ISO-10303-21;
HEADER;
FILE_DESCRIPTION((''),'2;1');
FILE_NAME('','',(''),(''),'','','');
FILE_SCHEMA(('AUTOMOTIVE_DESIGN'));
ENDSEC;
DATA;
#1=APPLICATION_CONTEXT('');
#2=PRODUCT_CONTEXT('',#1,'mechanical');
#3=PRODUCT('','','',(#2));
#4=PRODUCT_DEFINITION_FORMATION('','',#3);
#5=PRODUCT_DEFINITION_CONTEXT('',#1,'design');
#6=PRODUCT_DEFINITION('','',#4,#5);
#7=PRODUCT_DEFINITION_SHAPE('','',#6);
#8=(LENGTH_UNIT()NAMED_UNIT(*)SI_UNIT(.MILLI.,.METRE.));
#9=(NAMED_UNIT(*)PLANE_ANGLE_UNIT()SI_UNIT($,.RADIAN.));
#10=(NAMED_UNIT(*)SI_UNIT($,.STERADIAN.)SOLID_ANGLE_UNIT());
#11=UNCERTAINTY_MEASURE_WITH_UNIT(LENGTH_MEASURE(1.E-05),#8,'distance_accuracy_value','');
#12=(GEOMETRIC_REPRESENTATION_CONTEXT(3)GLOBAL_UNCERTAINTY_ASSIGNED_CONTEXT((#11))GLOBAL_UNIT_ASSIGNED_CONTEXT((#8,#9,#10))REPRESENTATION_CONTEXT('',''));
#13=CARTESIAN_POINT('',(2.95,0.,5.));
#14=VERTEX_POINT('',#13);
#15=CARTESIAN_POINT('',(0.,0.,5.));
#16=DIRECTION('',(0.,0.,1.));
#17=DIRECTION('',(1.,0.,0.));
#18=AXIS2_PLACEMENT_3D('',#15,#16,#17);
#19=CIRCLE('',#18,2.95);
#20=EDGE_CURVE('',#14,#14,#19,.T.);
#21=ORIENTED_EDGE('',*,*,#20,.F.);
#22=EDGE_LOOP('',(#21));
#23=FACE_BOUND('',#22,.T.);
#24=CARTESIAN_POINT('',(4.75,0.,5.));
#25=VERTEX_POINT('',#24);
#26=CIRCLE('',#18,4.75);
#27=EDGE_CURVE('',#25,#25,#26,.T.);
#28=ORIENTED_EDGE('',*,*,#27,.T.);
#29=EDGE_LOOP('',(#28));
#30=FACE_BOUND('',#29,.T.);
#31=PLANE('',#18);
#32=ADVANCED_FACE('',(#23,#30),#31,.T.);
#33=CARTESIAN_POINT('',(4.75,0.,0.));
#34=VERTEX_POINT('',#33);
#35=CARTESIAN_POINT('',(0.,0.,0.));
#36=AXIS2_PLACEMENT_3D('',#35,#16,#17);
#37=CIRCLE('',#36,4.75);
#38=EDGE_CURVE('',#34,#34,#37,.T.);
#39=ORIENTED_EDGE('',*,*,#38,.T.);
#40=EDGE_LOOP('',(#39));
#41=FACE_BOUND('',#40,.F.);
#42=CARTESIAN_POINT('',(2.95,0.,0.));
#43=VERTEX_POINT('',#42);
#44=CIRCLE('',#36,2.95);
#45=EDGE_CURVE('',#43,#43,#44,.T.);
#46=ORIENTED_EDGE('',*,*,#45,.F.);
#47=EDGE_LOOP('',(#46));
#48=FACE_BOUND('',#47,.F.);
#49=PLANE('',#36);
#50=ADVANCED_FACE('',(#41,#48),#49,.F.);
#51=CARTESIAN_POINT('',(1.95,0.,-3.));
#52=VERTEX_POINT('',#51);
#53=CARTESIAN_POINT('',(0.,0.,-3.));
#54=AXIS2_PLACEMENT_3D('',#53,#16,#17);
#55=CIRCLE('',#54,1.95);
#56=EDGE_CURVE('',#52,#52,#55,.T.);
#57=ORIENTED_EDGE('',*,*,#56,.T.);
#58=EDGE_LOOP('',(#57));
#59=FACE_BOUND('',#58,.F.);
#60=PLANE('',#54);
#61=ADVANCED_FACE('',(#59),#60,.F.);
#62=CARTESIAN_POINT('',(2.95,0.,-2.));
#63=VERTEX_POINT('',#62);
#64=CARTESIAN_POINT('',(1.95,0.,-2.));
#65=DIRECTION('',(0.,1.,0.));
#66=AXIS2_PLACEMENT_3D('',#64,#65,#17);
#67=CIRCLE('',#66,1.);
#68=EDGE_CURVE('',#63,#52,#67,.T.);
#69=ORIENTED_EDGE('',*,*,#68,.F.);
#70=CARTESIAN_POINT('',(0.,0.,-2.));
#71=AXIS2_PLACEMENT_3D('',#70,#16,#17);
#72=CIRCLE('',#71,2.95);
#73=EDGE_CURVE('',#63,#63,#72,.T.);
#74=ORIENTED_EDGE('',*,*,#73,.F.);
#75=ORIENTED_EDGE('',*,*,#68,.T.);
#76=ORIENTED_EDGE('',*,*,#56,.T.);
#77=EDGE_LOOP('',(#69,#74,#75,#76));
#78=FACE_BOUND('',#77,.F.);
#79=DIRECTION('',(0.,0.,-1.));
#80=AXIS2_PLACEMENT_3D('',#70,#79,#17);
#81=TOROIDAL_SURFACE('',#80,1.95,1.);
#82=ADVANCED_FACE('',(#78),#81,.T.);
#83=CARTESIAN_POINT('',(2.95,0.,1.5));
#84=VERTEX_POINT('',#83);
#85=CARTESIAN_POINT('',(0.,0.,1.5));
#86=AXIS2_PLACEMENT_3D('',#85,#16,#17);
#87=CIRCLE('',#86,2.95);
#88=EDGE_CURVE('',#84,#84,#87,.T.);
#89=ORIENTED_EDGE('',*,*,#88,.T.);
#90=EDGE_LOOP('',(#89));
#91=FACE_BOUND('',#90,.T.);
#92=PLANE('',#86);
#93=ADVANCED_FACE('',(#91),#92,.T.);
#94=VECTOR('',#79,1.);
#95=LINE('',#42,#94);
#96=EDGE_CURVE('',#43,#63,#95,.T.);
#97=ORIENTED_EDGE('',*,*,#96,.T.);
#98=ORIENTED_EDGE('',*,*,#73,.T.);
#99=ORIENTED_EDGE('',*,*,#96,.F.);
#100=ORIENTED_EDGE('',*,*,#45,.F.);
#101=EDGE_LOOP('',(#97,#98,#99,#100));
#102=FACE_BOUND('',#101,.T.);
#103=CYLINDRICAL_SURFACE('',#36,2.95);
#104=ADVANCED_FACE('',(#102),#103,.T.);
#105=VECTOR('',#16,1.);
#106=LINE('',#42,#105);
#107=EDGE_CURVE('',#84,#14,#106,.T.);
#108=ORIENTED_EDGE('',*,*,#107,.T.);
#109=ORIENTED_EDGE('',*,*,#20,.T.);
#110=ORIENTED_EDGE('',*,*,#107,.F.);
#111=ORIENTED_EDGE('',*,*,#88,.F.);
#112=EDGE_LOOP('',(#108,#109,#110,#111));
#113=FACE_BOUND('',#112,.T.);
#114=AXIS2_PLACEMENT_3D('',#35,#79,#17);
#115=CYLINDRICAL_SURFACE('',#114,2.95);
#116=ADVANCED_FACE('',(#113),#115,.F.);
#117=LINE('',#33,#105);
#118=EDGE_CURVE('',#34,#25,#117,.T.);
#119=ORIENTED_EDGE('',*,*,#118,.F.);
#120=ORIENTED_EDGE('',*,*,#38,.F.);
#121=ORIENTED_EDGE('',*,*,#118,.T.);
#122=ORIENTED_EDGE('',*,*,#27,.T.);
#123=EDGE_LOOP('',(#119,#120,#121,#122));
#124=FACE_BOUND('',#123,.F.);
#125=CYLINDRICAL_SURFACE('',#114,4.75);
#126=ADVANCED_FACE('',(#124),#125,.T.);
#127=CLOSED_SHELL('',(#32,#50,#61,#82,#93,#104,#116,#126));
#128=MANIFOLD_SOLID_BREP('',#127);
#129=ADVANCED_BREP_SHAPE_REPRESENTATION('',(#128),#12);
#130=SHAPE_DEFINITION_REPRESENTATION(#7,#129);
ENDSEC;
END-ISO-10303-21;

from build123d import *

# Parameters (mm, degrees)
F0_R          = 4.75
F0_R_2        = 2.95
F1_DEPTH      = 5
F2_DEPTH      = 3
F2_DEPTH_BACK = 1.5
F3_R          = 1


with BuildPart() as f1:
    # F0 (on Top) → F1 (new body)
    with BuildSketch(Plane.XY):
        Circle(F0_R)
        Circle(F0_R_2, mode=Mode.SUBTRACT)
    extrude(amount=F1_DEPTH)

    # F0 (on Top) → F2 (join, two sides)
    with BuildSketch(Plane.XY) as f2_sk:
        Circle(F0_R_2)
    extrude(amount=-F2_DEPTH)
    extrude(f2_sk.sketch, amount=F2_DEPTH_BACK)

    # F3
    f3_edges = [f1.edges().sort_by_distance(p)[0] for p in [
        (-2.95, 0, -3),
    ]]
    fillet(f3_edges, radius=F3_R)


solid = f1.part
